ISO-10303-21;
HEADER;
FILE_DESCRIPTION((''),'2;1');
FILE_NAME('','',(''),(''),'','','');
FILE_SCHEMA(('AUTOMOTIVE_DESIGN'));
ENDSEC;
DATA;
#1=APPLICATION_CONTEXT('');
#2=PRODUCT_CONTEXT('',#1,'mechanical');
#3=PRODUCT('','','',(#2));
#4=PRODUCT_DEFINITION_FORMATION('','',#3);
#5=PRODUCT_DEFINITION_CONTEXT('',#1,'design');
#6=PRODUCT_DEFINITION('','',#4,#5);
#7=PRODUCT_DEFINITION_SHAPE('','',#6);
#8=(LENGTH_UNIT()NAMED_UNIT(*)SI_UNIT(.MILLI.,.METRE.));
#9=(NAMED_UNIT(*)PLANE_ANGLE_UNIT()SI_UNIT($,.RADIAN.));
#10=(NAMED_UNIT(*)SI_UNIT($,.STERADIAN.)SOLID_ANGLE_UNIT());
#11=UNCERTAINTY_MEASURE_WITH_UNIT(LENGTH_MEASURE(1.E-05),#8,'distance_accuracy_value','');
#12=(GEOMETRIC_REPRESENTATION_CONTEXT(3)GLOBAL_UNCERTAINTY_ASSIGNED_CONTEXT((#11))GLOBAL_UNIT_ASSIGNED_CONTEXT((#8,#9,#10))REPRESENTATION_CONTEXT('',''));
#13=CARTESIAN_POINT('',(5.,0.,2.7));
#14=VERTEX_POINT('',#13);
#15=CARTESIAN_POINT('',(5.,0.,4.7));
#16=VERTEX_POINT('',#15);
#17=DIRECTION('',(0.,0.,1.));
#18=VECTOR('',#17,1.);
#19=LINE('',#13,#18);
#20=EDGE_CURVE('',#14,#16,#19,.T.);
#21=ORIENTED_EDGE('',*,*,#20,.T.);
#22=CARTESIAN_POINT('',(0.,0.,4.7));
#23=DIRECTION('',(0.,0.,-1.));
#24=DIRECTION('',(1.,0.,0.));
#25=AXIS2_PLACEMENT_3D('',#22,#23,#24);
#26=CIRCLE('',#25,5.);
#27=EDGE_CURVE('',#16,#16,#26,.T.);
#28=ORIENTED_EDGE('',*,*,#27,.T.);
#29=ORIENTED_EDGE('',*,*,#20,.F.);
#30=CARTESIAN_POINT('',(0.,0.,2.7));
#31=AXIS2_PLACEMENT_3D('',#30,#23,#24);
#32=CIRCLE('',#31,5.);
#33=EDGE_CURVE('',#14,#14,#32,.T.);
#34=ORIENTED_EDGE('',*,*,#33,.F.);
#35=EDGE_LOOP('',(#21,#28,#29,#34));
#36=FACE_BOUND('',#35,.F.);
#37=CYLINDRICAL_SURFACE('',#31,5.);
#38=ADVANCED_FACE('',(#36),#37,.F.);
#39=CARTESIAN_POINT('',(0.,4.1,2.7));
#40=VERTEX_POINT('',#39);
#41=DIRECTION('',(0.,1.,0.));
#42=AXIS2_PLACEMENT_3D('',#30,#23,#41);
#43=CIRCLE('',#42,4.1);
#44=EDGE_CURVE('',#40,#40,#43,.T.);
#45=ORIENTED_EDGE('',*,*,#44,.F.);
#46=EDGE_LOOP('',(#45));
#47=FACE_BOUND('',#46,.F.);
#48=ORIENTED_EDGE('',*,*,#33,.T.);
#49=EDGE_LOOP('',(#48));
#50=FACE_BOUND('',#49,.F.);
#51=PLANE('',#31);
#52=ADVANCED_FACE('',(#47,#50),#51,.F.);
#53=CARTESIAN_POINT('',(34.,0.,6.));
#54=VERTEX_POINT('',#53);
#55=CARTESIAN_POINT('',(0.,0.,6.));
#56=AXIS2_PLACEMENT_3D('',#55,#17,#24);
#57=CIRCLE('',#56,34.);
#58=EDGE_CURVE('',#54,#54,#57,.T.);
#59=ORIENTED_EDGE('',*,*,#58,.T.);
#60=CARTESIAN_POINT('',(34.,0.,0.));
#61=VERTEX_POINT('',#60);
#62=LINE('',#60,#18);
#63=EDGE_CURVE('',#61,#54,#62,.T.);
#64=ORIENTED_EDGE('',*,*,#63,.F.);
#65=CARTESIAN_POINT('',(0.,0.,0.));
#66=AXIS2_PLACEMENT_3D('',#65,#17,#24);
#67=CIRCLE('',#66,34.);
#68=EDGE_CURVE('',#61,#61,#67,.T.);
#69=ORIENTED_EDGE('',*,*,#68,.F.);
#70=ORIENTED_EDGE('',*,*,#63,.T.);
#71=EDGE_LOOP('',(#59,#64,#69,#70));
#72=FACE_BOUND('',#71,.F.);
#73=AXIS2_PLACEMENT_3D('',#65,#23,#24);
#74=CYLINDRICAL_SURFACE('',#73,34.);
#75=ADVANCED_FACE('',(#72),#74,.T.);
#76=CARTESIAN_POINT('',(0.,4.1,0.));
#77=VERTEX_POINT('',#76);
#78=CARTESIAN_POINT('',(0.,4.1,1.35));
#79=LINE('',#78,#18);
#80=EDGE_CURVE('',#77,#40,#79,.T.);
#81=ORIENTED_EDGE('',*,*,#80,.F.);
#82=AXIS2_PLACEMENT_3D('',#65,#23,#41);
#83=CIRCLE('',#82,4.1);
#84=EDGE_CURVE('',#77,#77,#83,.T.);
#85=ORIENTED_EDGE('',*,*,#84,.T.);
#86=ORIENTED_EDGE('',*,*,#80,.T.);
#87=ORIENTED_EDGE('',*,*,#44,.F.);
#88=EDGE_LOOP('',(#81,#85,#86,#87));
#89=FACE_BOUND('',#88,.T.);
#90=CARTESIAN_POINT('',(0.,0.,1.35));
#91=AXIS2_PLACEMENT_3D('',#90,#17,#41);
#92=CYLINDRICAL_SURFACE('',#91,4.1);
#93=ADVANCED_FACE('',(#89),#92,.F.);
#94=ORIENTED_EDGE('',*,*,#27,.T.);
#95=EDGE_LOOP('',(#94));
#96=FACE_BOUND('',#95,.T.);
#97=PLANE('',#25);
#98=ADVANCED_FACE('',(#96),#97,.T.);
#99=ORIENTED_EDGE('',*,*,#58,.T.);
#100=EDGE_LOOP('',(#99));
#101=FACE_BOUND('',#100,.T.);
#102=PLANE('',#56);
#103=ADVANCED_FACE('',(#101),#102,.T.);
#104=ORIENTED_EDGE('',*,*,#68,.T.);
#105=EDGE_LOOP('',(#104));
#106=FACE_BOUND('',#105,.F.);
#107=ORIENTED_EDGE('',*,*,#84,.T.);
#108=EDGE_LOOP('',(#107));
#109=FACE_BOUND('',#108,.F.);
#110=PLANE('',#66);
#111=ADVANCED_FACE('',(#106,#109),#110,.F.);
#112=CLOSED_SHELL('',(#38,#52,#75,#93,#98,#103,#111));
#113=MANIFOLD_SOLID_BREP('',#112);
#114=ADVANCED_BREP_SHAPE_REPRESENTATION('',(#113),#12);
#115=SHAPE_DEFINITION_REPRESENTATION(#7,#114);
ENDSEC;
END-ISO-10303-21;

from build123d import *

# Parameters (mm, degrees)
F0_R     = 34
F1_DEPTH = 6
F2_W     = 4.1
F2_H     = 2.7
F4_R     = 5
F5_DEPTH = 2


with BuildPart() as f1:
    # F0 (on Top) → F1 (new body)
    with BuildSketch(Plane.XY):
        Circle(F0_R)
    extrude(amount=F1_DEPTH)

    # F2 (on Right) → F3 (revolve, cut)
    with BuildSketch(Plane.YZ):
        with Locations((2.05, 1.35)):
            Rectangle(F2_W, F2_H)
    revolve(axis=Axis((0, 0, 1.35), (0, 0, -1)), mode=Mode.SUBTRACT)

    # F4 (on face) → F5 (cut)
    with BuildSketch(Plane(origin=(0, 0, 2.7), x_dir=(1, 0, 0), z_dir=(0, 0, -1))):
        Circle(F4_R)
    extrude(amount=-F5_DEPTH, mode=Mode.SUBTRACT)


solid = f1.part
